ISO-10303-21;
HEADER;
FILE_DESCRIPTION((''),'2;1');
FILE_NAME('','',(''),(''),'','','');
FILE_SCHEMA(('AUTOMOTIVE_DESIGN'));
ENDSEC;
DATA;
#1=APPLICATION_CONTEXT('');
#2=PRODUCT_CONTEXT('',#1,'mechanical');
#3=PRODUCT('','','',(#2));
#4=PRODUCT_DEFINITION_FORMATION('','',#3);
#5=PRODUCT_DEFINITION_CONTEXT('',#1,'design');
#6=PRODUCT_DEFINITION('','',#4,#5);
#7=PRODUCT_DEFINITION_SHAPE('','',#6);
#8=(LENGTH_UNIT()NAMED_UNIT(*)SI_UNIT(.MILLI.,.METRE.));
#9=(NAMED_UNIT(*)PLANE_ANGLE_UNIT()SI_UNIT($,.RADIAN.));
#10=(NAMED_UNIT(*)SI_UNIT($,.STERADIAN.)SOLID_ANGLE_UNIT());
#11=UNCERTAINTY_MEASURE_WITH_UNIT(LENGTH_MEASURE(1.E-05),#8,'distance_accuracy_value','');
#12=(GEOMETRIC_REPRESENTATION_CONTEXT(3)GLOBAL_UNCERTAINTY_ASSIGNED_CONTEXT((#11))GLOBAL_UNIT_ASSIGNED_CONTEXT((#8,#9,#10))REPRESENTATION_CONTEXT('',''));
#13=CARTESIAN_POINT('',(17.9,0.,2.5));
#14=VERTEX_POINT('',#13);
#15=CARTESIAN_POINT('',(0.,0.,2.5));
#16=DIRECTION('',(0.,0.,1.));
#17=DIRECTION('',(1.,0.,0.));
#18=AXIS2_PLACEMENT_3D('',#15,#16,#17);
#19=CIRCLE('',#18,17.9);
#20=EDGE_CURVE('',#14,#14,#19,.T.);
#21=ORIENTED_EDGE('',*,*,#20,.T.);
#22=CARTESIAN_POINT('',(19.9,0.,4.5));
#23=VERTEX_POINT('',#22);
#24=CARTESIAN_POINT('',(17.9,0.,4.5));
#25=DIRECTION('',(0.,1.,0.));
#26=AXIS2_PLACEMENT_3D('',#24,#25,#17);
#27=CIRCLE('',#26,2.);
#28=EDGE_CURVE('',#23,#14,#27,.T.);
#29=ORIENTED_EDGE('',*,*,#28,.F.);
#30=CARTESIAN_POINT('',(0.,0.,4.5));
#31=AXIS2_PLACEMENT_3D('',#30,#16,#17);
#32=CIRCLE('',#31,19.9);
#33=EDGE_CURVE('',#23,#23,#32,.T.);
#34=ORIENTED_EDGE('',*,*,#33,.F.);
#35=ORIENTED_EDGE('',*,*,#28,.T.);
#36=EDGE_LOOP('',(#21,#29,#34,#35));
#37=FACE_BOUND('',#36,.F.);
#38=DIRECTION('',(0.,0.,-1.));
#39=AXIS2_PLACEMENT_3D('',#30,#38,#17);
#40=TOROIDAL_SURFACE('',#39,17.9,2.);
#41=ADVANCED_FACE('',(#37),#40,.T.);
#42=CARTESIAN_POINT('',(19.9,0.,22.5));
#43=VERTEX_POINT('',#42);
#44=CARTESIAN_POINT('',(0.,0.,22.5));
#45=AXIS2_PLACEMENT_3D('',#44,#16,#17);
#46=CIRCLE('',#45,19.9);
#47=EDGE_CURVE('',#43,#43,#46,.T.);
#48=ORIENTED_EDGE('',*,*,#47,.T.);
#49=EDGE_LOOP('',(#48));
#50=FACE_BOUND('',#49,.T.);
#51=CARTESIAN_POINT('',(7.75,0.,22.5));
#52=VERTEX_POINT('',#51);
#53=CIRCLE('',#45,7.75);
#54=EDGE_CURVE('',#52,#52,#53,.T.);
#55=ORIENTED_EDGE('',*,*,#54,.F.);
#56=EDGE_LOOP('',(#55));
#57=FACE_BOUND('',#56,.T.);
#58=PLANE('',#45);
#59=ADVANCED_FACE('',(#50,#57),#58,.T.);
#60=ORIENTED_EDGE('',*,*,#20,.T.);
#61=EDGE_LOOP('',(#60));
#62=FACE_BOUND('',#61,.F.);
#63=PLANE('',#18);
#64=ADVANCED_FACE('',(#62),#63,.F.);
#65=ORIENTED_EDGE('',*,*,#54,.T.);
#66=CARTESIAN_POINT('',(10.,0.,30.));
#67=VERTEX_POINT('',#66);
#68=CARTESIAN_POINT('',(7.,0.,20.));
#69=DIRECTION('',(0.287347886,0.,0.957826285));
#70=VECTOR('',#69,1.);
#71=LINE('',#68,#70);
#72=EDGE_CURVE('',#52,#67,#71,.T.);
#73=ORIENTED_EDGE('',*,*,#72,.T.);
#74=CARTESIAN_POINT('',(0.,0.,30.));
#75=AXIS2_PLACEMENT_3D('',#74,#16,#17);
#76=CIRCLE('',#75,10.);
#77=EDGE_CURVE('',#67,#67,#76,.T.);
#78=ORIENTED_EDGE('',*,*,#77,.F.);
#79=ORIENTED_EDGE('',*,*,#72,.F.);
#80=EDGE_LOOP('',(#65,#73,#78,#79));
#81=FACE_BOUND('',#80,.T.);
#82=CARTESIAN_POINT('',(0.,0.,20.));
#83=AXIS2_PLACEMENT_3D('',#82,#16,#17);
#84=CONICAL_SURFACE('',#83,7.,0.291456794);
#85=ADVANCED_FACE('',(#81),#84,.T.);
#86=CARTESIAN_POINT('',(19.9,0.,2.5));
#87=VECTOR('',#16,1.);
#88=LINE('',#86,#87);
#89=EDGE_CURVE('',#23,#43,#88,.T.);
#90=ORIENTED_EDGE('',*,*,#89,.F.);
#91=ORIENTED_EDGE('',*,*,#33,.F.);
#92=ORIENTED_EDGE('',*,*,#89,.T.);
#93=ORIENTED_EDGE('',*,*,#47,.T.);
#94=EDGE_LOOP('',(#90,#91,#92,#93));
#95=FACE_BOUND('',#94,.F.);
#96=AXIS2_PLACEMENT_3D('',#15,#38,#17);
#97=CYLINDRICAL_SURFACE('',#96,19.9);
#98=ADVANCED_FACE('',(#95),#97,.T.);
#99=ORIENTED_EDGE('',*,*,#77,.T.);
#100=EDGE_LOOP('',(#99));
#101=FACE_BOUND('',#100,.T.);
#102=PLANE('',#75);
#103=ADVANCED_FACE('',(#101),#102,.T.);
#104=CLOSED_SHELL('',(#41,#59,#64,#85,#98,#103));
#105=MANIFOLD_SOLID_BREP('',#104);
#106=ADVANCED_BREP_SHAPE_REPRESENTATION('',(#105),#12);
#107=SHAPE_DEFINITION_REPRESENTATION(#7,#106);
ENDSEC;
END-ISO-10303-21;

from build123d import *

# Parameters (mm, degrees)
CYLINDER002_R     = 19.9
CYLINDER002_DEPTH = 20
FILLET_R          = 2


with BuildPart() as fillet_body:
    # Cylinder002 → Cylinder002 (new body)
    with BuildSketch(Plane.XY.offset(2.5)):
        Circle(CYLINDER002_R)
    extrude(amount=CYLINDER002_DEPTH)

    # Fillet
    fillet_edges = [fillet_body.edges().sort_by_distance(p)[0] for p in [
        (-19.9, 0, 2.5),
    ]]
    fillet(fillet_edges, radius=FILLET_R)


with BuildPart() as fusion:
    # Cone → Cone (revolve)
    with BuildSketch(Plane(origin=(0, 0, 20), x_dir=(1, 0, 0), z_dir=(0, -1, 0))):
        Polygon((0, 0), (7, 0), (10, 10), (0, 10), align=None)
    revolve(axis=Axis((0, 0, 20), (0, 0, 1)))

    # Fusion: union Fillet body
    add(fillet_body.part)


solid = fusion.part
